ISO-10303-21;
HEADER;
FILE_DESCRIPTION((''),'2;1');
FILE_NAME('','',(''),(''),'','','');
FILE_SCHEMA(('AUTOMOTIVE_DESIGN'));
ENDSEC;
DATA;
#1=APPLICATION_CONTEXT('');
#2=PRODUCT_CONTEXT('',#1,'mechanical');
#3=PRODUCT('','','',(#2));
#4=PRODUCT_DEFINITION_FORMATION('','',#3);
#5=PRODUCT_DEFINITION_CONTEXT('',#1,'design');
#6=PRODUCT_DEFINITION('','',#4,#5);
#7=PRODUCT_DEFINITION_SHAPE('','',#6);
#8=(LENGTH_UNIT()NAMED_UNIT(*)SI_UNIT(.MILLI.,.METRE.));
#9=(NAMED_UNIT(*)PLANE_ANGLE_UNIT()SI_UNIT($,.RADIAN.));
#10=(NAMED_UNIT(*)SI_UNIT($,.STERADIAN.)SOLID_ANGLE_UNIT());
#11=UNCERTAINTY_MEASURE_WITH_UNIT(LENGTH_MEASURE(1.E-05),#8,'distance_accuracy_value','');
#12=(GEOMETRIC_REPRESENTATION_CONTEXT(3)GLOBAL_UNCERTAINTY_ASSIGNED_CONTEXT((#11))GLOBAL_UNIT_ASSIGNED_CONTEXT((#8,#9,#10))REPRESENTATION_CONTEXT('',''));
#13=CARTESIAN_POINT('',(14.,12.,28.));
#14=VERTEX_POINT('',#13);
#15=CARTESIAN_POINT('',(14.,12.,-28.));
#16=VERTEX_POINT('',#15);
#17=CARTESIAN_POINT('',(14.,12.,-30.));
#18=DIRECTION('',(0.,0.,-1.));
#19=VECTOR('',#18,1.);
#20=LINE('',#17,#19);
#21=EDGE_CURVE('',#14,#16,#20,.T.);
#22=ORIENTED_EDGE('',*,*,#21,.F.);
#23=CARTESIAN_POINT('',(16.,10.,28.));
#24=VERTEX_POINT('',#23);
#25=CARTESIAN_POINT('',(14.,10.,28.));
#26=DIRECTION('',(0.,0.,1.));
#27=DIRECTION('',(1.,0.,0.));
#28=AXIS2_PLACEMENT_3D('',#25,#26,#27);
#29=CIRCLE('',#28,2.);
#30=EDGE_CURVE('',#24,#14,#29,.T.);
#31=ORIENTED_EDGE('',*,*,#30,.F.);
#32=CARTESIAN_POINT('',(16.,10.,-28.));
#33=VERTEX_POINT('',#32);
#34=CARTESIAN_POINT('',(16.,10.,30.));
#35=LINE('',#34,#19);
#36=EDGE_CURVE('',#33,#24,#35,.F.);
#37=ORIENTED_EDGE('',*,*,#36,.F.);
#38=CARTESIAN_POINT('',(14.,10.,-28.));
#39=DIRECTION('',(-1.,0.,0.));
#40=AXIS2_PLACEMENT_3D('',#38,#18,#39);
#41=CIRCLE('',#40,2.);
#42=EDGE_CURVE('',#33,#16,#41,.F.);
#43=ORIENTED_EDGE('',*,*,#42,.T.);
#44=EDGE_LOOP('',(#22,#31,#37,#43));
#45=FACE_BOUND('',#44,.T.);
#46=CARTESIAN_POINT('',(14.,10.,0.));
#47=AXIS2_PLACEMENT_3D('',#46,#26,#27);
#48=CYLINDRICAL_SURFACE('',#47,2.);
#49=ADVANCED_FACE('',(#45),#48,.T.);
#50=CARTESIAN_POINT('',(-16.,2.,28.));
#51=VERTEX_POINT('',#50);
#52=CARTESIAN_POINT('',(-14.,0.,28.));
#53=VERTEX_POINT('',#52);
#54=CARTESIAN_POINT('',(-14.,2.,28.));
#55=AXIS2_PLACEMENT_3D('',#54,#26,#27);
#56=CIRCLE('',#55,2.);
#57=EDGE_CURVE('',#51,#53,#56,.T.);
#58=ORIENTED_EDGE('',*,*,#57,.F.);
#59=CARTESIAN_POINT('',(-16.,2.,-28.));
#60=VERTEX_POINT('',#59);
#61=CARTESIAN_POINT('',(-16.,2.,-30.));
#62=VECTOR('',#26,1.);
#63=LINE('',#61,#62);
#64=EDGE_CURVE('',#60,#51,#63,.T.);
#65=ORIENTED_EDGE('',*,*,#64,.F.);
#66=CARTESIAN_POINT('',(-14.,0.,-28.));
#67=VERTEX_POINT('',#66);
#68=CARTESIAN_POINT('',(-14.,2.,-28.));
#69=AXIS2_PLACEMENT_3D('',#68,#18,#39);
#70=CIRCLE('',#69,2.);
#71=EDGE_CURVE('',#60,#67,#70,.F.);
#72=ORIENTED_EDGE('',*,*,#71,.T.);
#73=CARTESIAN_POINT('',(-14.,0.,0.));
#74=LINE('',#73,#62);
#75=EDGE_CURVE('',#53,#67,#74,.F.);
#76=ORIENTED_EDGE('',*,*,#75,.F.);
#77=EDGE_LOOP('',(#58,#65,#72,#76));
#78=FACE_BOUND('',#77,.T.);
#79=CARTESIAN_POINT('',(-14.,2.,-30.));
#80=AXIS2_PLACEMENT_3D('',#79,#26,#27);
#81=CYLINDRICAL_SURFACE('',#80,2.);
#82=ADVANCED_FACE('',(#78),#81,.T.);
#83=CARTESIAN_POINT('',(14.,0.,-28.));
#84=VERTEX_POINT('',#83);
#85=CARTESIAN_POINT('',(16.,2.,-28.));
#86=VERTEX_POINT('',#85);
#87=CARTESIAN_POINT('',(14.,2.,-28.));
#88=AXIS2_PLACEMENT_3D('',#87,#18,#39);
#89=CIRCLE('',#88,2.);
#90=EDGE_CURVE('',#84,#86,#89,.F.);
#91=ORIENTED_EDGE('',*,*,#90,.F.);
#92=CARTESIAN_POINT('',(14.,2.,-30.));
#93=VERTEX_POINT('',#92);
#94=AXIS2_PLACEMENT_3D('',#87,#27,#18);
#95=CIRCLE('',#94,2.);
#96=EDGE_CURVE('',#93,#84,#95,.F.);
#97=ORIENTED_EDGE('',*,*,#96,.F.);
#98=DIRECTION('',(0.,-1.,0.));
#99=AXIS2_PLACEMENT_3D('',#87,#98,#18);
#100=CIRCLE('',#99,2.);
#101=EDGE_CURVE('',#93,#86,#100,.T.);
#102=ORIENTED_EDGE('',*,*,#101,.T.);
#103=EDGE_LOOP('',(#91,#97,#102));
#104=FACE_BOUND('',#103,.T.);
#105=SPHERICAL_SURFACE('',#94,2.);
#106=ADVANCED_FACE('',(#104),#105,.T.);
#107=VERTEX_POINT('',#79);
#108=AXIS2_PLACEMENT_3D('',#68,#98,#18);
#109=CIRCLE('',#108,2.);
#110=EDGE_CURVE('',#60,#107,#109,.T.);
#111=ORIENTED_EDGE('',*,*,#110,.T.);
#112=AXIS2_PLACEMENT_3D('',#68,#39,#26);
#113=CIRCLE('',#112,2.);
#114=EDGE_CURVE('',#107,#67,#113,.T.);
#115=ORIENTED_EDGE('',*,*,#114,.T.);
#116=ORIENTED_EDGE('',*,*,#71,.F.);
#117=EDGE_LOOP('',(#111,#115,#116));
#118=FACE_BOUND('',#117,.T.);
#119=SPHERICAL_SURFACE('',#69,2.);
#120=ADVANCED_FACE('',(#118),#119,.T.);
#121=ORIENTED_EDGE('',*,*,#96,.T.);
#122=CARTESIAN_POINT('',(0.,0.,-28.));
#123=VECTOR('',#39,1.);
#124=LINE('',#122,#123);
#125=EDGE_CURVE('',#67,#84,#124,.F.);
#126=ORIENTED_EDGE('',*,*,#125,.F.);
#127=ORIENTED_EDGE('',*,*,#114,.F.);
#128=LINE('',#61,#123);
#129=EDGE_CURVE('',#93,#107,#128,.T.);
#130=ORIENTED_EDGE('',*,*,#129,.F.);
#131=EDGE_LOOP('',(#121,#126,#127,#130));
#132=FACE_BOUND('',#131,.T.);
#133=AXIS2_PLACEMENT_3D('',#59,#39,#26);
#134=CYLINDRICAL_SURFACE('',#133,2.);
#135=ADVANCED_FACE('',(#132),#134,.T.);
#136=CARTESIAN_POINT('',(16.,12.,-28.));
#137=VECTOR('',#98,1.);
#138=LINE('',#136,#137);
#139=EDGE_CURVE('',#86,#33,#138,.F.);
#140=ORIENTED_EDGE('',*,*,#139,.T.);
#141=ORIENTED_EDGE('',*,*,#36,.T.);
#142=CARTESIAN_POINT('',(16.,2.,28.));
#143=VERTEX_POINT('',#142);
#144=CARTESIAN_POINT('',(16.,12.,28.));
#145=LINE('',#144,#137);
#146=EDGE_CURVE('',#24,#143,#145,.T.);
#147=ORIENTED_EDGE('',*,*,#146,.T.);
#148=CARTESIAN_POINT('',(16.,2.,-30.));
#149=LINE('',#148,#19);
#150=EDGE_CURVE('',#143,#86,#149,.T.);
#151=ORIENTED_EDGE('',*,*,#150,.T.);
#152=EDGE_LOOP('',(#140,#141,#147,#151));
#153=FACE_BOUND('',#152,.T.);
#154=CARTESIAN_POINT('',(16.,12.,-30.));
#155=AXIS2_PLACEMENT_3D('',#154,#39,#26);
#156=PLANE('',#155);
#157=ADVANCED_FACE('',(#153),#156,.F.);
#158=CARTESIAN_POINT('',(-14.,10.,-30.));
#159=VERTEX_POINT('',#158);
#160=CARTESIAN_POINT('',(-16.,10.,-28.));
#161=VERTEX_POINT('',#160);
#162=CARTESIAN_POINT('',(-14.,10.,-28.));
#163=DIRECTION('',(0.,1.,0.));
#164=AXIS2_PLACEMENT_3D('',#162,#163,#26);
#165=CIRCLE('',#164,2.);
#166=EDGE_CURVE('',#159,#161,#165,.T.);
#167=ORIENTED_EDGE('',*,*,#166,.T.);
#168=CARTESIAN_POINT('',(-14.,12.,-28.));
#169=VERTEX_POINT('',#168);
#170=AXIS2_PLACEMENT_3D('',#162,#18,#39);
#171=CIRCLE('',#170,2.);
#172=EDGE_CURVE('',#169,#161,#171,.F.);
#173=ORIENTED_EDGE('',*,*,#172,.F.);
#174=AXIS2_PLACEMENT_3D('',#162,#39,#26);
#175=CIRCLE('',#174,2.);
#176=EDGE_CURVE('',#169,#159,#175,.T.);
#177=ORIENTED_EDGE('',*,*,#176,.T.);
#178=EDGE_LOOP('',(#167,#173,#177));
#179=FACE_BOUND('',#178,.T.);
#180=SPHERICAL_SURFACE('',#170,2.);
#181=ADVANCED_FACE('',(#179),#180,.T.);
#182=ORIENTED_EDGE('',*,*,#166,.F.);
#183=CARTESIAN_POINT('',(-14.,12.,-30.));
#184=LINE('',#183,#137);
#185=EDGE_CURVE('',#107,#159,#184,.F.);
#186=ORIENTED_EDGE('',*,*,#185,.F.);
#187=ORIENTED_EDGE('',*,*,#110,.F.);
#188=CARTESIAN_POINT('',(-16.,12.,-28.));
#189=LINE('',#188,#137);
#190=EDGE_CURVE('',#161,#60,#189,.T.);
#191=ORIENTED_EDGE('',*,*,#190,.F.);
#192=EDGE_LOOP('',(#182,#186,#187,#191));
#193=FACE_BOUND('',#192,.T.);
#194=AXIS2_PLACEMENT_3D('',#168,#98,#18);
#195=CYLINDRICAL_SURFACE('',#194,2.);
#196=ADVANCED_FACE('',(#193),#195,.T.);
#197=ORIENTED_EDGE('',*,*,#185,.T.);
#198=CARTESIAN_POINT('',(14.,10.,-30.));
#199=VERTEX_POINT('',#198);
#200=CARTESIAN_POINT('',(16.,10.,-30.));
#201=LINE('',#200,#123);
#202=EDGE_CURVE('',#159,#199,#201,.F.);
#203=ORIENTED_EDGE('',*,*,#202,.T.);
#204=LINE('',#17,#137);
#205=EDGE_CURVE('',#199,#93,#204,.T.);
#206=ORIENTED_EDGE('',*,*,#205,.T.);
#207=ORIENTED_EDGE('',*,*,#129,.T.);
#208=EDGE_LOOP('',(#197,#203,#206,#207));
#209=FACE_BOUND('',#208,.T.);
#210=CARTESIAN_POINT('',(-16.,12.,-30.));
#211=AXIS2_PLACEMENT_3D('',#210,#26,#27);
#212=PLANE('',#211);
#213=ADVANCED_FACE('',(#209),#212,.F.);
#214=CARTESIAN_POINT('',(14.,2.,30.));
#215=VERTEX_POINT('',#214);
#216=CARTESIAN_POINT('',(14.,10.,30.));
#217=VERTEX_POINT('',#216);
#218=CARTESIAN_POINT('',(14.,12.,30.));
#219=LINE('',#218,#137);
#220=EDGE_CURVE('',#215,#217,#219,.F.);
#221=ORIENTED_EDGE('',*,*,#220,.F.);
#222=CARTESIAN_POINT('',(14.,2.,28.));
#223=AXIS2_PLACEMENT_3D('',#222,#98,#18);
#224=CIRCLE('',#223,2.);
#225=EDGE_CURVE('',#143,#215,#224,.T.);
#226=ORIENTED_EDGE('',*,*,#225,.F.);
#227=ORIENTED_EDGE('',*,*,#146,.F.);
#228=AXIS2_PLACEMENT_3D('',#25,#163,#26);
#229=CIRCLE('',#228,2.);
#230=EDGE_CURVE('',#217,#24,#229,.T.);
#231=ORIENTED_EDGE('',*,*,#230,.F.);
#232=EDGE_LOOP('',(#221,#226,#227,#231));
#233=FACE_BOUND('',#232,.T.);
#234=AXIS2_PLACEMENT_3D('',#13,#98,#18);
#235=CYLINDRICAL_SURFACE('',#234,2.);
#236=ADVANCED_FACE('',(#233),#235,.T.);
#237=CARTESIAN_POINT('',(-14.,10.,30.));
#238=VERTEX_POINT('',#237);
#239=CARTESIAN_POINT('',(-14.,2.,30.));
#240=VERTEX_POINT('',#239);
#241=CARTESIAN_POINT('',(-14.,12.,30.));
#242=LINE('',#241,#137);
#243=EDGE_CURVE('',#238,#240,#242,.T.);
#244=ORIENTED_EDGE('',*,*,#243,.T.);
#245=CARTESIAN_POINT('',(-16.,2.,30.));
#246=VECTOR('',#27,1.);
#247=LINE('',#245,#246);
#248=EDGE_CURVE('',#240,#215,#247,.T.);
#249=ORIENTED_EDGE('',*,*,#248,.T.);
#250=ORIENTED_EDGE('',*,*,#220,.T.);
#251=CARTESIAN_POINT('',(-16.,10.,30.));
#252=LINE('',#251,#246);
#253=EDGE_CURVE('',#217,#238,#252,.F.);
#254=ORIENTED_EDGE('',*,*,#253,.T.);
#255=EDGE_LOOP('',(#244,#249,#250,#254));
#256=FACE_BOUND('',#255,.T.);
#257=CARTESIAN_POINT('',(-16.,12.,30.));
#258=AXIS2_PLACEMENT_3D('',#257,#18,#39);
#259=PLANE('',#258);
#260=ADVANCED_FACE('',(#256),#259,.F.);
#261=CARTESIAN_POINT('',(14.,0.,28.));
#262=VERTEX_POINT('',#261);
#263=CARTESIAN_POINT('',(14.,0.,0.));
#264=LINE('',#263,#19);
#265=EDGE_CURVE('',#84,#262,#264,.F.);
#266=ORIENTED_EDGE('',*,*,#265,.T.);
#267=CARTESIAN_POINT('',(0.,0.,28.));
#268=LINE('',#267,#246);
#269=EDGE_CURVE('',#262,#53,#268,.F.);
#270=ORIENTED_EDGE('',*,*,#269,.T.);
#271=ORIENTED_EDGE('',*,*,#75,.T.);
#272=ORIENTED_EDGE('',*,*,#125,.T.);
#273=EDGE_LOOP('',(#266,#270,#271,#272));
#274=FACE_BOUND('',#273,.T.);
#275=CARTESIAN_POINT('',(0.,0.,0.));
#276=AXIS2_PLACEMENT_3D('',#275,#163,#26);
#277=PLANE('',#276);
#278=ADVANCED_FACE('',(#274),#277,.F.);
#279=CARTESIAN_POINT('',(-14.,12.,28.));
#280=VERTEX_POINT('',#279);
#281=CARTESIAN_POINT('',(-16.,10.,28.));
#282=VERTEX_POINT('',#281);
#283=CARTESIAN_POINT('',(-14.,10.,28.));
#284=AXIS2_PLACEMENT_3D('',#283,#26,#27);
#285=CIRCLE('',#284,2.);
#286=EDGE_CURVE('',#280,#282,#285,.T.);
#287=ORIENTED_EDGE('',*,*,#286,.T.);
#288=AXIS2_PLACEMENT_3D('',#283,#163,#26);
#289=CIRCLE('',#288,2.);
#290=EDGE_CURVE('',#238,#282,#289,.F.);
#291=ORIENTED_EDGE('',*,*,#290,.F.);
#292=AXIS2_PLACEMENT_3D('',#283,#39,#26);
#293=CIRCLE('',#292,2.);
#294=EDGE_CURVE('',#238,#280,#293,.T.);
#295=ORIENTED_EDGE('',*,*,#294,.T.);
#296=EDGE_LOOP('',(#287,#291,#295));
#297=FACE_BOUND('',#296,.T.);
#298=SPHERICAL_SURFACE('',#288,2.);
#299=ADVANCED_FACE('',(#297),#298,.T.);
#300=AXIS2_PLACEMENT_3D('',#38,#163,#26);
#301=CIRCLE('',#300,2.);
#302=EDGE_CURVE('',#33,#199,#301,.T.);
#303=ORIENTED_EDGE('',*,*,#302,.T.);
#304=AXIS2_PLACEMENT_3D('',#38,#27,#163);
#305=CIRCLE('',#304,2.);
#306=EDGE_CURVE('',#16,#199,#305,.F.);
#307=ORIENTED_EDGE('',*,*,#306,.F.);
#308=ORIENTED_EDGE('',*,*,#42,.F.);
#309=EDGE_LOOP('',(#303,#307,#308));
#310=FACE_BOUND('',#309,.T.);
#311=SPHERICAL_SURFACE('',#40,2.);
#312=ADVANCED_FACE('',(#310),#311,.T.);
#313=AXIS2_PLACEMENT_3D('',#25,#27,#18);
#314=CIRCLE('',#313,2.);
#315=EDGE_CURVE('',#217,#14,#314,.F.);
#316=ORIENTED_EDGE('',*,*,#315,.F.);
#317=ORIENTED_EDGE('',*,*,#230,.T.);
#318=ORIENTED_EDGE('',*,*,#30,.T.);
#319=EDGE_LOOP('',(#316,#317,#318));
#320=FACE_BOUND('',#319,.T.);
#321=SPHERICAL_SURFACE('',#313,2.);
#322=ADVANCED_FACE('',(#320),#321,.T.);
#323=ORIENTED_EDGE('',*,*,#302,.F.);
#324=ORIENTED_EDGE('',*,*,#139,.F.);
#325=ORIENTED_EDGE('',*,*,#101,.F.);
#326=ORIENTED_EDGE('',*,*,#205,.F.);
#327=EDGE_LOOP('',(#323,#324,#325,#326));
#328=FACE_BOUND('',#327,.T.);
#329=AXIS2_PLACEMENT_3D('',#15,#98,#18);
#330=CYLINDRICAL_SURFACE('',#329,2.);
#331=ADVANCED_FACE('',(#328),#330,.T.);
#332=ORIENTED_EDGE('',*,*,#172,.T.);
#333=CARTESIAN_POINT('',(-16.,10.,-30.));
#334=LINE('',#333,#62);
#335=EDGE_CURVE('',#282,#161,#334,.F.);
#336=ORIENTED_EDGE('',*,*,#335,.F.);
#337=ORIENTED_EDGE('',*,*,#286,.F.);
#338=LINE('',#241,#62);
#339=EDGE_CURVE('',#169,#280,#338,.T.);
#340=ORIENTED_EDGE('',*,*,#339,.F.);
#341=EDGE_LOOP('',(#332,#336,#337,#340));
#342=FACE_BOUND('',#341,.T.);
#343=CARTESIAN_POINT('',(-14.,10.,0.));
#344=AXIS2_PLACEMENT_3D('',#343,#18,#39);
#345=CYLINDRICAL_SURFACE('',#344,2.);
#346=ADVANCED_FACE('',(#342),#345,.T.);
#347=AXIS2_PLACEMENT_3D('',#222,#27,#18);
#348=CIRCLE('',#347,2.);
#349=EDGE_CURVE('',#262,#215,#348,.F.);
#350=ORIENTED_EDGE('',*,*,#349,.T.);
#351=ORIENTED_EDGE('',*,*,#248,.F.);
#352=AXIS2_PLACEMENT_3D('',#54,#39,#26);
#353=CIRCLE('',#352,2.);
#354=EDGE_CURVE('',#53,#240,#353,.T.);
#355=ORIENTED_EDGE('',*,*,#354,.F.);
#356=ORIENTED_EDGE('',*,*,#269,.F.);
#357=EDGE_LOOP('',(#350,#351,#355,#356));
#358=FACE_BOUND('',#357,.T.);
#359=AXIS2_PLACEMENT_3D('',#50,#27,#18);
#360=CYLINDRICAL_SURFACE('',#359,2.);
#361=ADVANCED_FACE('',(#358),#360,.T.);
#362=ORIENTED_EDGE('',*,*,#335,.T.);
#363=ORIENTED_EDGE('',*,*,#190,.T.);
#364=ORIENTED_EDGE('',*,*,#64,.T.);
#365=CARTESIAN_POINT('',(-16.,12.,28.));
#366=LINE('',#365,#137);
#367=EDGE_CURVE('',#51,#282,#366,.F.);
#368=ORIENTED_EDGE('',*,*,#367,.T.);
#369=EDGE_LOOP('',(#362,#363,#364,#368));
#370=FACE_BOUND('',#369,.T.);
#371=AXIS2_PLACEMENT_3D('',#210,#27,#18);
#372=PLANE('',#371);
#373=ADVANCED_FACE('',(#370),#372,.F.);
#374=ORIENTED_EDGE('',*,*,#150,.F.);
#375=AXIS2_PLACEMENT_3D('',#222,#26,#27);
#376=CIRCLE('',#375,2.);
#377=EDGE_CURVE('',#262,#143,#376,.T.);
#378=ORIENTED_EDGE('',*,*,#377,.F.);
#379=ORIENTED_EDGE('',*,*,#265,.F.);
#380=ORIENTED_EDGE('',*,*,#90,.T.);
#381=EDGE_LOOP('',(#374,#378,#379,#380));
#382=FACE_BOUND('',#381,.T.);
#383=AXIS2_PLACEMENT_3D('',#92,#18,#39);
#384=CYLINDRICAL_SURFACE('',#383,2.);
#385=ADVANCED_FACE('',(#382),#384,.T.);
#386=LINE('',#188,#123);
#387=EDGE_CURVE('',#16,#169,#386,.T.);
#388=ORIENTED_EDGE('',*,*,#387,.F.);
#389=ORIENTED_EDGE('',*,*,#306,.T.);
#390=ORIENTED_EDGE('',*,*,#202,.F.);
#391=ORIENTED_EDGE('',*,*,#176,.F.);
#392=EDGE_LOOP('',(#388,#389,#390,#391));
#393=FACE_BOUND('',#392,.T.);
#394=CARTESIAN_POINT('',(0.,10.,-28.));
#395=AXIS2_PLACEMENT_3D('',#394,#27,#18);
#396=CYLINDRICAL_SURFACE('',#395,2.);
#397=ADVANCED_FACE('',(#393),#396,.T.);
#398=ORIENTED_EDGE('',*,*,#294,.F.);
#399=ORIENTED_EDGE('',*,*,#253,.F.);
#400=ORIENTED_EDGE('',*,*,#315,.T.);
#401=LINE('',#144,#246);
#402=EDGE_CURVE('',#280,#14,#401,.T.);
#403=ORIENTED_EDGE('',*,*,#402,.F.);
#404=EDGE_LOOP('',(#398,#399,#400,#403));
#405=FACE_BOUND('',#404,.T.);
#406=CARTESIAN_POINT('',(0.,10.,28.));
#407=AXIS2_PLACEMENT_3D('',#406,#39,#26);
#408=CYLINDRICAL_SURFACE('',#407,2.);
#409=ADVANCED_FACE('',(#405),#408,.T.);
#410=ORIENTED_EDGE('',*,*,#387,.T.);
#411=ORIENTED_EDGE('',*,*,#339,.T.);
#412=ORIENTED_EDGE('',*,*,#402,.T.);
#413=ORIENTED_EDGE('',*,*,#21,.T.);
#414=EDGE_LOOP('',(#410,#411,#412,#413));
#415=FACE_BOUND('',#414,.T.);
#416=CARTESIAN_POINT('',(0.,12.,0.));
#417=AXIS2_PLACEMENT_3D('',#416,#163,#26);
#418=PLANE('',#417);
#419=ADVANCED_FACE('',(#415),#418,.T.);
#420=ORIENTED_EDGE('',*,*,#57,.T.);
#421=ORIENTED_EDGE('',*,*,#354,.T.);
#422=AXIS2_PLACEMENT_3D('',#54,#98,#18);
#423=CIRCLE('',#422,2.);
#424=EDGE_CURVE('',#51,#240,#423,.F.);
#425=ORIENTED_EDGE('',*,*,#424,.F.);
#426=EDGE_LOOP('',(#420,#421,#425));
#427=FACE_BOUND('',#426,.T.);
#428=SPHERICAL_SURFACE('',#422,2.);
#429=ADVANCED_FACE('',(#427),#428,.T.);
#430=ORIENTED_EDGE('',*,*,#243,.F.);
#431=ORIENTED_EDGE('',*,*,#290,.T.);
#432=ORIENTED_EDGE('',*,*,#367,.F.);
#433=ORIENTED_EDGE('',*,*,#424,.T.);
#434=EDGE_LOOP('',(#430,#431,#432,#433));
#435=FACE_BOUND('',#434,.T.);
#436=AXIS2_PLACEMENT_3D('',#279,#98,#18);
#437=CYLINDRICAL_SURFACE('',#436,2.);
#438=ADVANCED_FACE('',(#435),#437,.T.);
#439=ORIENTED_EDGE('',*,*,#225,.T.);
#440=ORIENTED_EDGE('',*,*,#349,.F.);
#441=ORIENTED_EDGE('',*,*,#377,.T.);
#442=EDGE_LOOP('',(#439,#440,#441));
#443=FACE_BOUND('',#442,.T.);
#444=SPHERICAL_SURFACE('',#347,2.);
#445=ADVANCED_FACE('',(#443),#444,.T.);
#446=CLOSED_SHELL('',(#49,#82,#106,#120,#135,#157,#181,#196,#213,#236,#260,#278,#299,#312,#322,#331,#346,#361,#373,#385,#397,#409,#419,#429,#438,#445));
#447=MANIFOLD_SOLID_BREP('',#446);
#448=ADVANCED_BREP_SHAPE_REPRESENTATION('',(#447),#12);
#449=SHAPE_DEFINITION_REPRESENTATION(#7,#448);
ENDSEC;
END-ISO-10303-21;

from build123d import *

# Parameters (mm, degrees)
SKETCH_1_W      = 32
SKETCH_1_H      = 60
EXTRUDE_1_DEPTH = 12
FILLET_1_R      = 2


with BuildPart() as part:
    # 草图1 → 凸台-拉伸1 (new body)
    with BuildSketch(Plane(origin=(0, 0, 0), x_dir=(1, 0, 0), z_dir=(0, 1, 0))):
        Rectangle(SKETCH_1_W, SKETCH_1_H)
    extrude(amount=EXTRUDE_1_DEPTH)

    # 圆角1
    fillet_1_edges = [part.edges().sort_by_distance(p)[0] for p in [
        (16, 12, 0),
        (0, 12, -30),
        (-16, 12, 0),
        (0, 0, -30),
        (16, 0, 0),
        (0, 0, 30),
        (-16, 0, 0),
        (-16, 6, -30),
        (16, 6, -30),
        (16, 6, 30),
        (-16, 6, 30),
        (0, 12, 30),
    ]]
    fillet(fillet_1_edges, radius=FILLET_1_R)


solid = part.part
